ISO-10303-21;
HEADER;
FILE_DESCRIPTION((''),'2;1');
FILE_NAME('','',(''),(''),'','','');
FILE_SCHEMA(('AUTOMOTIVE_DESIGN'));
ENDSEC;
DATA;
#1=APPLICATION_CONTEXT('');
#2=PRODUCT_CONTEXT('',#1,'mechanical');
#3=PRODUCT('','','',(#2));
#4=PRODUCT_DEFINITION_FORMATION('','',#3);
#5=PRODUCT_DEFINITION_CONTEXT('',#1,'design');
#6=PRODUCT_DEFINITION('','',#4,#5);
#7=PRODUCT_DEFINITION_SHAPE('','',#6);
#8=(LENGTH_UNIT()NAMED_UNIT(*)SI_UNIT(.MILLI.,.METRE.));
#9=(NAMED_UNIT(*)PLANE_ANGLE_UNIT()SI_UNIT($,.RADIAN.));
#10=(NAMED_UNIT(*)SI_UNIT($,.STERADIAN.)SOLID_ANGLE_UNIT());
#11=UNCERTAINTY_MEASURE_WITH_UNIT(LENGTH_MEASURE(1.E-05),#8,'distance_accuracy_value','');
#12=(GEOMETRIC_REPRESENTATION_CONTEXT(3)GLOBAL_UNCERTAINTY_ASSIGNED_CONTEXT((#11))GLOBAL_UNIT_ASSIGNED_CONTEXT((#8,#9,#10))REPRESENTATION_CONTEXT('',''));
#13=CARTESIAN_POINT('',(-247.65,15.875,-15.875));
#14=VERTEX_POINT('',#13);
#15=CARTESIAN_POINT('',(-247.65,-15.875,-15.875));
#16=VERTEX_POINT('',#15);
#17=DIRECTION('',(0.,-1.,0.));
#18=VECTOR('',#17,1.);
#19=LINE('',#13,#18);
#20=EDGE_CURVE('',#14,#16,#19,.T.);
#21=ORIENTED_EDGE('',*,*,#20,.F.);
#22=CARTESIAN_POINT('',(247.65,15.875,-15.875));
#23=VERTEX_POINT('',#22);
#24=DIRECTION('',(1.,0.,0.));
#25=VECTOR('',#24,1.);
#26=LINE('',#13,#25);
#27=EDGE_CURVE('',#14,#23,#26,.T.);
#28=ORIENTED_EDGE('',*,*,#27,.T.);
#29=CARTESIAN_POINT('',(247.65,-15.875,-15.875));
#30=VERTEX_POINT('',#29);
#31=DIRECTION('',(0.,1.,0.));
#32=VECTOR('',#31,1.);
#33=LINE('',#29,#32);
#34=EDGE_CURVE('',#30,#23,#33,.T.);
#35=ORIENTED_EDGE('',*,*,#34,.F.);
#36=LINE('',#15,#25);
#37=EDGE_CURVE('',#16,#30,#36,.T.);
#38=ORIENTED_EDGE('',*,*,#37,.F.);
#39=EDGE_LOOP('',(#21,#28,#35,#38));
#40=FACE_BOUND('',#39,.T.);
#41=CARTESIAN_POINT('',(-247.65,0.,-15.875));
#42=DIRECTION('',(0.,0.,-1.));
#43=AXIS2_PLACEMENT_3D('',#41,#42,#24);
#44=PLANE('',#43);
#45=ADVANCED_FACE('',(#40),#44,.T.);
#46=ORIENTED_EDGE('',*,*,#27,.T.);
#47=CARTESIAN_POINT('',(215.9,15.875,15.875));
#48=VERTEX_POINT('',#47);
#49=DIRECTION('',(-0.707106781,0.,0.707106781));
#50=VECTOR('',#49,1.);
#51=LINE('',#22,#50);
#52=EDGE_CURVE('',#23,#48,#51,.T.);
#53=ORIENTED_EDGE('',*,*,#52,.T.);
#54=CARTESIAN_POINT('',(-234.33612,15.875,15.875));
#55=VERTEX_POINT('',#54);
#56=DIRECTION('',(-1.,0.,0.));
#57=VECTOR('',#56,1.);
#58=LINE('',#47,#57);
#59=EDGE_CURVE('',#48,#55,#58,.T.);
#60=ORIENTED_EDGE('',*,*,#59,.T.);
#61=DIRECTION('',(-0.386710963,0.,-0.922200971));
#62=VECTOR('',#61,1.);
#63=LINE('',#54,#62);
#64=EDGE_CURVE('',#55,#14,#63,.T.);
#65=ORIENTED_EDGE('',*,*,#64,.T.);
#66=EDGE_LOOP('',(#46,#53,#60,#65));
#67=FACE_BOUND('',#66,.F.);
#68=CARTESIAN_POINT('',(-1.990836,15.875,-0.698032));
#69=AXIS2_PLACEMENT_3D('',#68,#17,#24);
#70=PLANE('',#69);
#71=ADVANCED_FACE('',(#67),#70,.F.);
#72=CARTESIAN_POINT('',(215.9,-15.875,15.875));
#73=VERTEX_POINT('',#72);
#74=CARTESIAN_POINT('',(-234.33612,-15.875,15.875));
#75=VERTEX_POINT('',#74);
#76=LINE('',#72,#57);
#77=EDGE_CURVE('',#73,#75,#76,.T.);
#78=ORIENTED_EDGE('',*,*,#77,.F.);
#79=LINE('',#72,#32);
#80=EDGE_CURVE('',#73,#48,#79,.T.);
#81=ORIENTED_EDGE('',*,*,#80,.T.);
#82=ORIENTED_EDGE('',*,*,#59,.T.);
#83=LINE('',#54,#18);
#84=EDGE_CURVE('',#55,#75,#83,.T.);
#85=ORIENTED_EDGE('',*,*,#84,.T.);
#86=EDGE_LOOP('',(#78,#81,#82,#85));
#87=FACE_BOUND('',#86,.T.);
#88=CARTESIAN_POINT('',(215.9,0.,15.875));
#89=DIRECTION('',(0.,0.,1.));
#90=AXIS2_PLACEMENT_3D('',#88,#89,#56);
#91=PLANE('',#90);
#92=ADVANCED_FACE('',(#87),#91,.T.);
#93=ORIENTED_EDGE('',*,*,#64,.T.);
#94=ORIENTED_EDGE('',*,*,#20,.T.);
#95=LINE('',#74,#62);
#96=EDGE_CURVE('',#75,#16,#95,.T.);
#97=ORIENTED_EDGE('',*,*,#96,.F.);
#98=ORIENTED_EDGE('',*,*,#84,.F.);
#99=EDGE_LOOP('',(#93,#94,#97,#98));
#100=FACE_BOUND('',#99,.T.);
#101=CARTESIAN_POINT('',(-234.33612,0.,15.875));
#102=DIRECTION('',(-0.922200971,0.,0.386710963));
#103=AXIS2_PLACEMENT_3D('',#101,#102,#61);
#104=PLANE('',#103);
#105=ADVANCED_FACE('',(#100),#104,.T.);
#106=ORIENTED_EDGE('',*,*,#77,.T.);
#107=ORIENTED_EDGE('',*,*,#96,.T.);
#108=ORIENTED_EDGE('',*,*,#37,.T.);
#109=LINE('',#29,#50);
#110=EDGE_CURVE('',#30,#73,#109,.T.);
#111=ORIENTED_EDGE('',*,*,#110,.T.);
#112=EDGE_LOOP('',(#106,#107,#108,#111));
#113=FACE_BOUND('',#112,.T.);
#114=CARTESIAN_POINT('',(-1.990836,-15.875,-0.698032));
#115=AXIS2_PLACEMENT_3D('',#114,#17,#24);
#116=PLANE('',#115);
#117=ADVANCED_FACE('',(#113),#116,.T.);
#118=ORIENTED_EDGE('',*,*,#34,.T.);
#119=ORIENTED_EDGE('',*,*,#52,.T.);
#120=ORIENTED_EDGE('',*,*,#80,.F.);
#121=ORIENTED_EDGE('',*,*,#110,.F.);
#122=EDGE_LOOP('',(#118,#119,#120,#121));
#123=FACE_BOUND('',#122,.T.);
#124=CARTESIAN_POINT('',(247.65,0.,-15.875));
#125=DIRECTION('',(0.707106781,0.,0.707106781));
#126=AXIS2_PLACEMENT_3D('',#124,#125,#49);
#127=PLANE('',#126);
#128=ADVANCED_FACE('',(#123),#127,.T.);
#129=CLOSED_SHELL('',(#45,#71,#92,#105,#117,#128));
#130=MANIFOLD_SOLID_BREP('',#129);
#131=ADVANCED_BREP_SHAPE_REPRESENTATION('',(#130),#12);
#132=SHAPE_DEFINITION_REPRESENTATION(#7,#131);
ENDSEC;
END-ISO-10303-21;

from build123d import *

# Parameters (mm, degrees)
F2_DEPTH = 15.875


with BuildPart() as f2:
    # F1 (on face) → F2 (new body, symmetric)
    with BuildSketch(Plane.XZ):
        Polygon((215.9, 15.875), (-234.33612, 15.875), (-247.65, -15.875), (247.65, -15.875), align=None)
    extrude(amount=F2_DEPTH, both=True)


solid = f2.part
